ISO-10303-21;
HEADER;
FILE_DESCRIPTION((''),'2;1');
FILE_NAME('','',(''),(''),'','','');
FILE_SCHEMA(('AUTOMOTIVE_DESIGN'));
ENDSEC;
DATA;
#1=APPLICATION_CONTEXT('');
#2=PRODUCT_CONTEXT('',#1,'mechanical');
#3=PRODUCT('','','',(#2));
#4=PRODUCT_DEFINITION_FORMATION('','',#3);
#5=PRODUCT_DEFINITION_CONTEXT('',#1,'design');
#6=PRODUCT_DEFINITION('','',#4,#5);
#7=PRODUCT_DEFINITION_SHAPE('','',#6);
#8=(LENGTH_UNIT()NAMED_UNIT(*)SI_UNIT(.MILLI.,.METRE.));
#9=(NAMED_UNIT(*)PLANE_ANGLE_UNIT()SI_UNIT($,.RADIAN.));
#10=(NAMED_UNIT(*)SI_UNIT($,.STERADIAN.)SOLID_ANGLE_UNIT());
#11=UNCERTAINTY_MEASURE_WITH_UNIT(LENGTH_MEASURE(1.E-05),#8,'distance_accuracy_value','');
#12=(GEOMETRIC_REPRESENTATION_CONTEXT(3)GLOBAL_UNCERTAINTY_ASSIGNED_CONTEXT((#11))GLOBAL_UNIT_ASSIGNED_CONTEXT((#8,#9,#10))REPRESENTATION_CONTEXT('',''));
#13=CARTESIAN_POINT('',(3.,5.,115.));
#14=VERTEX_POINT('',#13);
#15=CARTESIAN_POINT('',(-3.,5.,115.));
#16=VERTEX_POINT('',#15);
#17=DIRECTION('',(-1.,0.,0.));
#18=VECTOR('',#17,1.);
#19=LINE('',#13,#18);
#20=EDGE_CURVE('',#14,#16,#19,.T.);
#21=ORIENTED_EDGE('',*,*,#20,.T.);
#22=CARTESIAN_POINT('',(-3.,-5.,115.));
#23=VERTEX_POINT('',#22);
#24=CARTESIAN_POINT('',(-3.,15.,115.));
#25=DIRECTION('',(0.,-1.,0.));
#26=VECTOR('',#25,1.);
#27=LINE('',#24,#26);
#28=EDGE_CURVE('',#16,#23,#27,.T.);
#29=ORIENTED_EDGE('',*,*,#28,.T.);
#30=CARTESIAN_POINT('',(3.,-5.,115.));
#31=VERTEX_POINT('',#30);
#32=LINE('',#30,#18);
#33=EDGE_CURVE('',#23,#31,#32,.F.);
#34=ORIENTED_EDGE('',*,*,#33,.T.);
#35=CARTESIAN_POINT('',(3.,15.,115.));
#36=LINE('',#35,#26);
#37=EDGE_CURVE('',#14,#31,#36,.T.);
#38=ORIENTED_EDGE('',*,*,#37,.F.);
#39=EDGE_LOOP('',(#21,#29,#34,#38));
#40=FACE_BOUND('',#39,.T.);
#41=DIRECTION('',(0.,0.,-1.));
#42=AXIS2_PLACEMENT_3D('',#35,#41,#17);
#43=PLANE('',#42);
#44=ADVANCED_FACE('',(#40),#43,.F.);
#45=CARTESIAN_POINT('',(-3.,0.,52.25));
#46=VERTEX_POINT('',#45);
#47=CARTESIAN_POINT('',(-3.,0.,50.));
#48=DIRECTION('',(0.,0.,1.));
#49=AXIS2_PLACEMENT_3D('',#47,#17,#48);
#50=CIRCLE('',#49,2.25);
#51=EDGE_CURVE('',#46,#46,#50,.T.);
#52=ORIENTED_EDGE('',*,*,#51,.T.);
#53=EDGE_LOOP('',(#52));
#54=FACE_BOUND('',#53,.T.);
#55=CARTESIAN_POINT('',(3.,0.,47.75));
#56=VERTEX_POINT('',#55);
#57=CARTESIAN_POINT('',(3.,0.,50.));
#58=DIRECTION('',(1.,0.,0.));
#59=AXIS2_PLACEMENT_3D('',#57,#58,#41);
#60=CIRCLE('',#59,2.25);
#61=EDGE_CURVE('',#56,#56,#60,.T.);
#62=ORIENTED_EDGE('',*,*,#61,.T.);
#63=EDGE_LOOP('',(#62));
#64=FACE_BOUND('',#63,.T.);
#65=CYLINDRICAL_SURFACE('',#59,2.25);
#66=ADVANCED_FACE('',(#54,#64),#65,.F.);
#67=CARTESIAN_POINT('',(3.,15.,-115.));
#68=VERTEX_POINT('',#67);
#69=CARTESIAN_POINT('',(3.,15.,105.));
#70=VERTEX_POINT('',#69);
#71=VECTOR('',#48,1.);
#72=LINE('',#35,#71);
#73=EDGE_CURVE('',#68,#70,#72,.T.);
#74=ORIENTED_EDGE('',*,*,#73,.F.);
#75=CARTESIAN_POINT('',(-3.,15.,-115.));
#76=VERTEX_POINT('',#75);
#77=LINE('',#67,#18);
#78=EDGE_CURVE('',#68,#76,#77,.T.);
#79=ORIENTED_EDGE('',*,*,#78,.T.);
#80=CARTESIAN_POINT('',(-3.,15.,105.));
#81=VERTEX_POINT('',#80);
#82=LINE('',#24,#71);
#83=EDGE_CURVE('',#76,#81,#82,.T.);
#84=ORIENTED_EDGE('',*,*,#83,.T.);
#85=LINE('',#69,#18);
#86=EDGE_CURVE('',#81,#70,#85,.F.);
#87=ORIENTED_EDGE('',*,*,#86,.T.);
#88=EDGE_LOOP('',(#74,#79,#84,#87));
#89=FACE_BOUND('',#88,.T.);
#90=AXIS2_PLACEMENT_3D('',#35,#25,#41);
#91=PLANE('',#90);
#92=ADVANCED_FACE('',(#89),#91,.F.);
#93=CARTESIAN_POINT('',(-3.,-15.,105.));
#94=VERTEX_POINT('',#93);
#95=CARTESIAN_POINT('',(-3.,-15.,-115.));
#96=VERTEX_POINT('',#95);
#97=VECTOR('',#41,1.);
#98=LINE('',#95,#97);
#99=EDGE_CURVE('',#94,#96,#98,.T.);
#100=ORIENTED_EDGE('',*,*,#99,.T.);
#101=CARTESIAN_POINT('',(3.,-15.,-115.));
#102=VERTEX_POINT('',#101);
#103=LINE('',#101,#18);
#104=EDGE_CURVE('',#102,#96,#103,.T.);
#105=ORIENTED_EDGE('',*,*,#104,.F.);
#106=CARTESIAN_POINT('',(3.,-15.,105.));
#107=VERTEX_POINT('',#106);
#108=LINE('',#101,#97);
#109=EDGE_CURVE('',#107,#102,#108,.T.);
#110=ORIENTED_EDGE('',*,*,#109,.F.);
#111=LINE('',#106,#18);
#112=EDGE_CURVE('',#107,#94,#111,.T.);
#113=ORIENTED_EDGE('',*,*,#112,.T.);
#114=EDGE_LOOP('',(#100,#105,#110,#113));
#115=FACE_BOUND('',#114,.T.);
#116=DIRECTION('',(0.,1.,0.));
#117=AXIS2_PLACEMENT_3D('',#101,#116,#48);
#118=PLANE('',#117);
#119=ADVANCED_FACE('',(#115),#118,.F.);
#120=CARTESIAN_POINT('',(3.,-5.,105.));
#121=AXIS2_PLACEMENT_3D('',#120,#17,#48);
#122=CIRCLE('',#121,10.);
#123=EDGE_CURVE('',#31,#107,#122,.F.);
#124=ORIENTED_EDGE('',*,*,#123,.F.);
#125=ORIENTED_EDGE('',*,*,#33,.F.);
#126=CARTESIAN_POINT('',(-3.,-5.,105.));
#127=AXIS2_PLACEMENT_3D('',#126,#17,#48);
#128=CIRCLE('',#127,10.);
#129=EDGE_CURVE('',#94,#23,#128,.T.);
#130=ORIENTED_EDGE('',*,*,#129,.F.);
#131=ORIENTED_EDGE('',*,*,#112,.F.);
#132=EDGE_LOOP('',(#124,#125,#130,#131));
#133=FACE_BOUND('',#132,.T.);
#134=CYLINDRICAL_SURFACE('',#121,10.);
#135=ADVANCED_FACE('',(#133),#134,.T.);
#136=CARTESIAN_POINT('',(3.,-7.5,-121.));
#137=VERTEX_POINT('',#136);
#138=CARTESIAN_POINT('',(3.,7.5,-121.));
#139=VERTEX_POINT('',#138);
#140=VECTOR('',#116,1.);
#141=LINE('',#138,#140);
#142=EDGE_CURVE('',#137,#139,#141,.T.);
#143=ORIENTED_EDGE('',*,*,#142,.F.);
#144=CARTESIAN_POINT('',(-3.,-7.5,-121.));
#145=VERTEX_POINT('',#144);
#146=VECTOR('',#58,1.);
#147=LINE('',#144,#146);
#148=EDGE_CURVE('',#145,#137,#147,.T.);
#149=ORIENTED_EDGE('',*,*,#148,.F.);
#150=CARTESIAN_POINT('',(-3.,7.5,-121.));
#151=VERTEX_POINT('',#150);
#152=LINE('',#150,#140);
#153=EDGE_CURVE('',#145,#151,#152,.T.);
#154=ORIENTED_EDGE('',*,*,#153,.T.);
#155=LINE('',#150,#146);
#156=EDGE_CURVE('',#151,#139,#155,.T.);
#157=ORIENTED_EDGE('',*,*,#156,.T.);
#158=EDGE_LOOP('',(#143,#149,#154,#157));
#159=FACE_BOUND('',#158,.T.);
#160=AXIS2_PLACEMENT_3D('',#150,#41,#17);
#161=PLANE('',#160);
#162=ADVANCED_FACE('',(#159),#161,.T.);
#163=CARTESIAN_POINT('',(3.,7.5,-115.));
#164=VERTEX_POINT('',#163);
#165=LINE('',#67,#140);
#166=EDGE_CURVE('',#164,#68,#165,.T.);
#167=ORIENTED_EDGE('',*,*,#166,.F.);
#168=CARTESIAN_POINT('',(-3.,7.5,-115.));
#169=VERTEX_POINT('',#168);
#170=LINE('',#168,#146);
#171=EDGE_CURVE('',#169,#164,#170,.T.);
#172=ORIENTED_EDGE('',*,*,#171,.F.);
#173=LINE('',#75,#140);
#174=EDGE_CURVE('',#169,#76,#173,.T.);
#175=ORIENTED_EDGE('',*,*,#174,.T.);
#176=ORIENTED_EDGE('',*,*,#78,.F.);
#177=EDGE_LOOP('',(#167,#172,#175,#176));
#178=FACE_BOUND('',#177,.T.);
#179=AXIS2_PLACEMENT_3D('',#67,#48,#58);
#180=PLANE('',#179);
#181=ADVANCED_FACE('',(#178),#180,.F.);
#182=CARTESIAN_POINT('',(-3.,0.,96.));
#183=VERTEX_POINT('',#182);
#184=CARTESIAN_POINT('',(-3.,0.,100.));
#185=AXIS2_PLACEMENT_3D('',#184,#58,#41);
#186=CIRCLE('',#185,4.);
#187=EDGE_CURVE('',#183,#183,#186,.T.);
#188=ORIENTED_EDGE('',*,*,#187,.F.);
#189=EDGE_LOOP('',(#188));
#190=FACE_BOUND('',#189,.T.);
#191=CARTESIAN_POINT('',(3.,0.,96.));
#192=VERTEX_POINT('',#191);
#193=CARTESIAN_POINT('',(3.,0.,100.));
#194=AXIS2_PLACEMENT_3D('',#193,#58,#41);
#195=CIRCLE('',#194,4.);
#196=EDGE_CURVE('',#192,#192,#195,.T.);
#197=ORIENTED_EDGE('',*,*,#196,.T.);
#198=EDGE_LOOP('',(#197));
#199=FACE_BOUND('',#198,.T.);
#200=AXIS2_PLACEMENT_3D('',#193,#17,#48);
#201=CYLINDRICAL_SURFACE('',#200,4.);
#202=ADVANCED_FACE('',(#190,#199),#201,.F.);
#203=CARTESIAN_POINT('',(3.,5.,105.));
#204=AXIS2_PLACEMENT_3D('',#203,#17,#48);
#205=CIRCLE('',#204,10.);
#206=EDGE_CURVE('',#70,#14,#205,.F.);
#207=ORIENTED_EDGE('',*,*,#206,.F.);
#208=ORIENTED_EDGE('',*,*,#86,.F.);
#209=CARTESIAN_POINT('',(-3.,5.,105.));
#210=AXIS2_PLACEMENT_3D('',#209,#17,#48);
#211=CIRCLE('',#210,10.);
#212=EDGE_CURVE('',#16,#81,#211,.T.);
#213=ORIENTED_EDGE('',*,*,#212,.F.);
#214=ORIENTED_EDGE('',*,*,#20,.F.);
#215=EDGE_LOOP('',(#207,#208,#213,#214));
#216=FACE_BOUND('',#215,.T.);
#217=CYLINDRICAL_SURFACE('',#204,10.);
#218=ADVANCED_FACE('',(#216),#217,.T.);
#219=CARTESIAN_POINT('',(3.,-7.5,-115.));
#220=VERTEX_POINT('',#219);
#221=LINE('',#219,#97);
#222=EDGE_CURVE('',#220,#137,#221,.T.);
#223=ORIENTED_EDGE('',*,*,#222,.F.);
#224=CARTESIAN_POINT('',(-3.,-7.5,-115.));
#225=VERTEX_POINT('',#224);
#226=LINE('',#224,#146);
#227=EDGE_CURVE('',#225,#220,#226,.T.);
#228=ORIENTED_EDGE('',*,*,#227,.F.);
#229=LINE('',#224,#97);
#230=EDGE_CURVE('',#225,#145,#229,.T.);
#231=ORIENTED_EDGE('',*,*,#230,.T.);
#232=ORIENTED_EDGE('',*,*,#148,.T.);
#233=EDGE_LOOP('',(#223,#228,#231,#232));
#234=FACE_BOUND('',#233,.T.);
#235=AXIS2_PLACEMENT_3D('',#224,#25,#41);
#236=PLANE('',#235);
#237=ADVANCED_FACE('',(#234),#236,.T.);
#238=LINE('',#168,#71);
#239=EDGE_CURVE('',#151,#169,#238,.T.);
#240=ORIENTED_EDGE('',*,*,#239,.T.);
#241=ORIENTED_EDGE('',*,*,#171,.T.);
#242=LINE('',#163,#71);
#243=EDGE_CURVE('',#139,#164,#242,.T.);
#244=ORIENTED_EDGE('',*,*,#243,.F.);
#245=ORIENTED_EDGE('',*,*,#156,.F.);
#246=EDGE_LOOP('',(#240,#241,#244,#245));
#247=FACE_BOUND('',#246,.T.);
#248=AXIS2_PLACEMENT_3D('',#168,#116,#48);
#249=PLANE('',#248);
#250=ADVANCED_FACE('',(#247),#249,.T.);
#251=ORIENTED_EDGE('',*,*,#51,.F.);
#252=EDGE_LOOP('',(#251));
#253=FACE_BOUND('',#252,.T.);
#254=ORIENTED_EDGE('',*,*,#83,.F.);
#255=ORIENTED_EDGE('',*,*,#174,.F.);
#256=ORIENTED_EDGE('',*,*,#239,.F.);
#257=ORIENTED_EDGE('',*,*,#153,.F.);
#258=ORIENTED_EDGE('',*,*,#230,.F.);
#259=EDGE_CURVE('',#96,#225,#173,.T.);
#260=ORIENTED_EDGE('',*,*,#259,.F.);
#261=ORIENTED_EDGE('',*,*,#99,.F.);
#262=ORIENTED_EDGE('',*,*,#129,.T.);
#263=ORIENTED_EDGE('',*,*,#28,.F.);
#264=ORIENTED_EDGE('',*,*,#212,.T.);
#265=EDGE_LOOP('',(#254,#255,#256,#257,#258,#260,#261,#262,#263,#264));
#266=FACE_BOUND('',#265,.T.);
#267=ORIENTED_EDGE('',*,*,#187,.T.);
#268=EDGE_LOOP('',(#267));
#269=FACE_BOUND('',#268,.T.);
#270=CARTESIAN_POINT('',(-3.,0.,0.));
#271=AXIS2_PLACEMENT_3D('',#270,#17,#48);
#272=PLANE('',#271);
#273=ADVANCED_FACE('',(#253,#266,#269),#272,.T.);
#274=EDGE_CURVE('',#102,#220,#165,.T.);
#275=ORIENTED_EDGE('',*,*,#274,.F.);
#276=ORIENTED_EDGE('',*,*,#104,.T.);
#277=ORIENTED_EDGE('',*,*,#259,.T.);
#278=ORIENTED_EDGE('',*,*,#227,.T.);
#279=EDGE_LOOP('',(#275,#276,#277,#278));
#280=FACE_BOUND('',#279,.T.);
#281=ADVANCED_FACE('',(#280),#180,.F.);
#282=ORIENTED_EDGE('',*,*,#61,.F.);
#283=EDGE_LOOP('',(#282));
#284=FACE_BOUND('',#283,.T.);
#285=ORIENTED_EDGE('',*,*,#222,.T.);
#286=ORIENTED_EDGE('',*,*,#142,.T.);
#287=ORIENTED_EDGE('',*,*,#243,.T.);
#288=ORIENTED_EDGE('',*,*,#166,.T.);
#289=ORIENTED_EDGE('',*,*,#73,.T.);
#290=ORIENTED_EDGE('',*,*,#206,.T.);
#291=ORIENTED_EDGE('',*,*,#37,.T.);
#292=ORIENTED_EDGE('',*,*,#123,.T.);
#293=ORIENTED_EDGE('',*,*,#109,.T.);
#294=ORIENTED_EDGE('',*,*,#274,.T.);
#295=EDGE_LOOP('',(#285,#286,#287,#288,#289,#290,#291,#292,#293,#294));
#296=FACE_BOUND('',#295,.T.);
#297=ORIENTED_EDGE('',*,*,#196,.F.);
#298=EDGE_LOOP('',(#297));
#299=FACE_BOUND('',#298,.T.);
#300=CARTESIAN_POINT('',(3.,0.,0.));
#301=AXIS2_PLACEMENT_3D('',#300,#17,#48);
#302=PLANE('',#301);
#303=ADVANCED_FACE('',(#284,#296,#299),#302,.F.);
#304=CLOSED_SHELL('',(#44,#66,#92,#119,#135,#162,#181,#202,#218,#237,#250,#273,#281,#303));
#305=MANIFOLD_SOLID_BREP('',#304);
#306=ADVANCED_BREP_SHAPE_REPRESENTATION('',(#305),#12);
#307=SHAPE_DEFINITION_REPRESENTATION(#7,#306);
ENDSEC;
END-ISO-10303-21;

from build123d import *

# Parameters (mm, degrees)
CROQUIS2_W                   = 230
CROQUIS2_H                   = 30
CROQUIS2_R                   = 4
SALIENTE_EXTRUIR1_DEPTH      = 3
CROQUIS5_W                   = 6
CROQUIS5_H                   = 15
SALIENTE_EXTRUIR2_DEPTH      = 6
TALADRO_DE_MARGEN_PARA_M41_D = 4.5
REDONDEO1_R                  = 10


with BuildPart() as part:
    # Croquis2 → Saliente-Extruir1 (new, symmetric)
    with BuildSketch(Plane(origin=(0, 0, 0), x_dir=(0, 0, -1), z_dir=(1, 0, 0))):
        Rectangle(CROQUIS2_W, CROQUIS2_H)
        with Locations((-100, 0)):
            Circle(CROQUIS2_R, mode=Mode.SUBTRACT)
    extrude(amount=SALIENTE_EXTRUIR1_DEPTH, both=True)

    # Croquis5 → Saliente-Extruir2 (add, through all)
    with BuildSketch(Plane(origin=(3, 0, 0), x_dir=(0, 0, -1), z_dir=(1, 0, 0))):
        with Locations((118, 0)):
            Rectangle(CROQUIS5_W, CROQUIS5_H)
    extrude(amount=-SALIENTE_EXTRUIR2_DEPTH)

    # Taladro de margen para M41 (through all)
    with Locations(Plane(origin=(3, 0, 0), x_dir=(0, 0, -1), z_dir=(1, 0, 0))):
        with Locations((-50, 0)):
            Hole(TALADRO_DE_MARGEN_PARA_M41_D / 2)

    # Redondeo1
    redondeo1_edges = [part.edges().sort_by_distance(p)[0] for p in [
        (0, 15, 115),
        (0, -15, 115),
    ]]
    fillet(redondeo1_edges, radius=REDONDEO1_R)


solid = part.part
